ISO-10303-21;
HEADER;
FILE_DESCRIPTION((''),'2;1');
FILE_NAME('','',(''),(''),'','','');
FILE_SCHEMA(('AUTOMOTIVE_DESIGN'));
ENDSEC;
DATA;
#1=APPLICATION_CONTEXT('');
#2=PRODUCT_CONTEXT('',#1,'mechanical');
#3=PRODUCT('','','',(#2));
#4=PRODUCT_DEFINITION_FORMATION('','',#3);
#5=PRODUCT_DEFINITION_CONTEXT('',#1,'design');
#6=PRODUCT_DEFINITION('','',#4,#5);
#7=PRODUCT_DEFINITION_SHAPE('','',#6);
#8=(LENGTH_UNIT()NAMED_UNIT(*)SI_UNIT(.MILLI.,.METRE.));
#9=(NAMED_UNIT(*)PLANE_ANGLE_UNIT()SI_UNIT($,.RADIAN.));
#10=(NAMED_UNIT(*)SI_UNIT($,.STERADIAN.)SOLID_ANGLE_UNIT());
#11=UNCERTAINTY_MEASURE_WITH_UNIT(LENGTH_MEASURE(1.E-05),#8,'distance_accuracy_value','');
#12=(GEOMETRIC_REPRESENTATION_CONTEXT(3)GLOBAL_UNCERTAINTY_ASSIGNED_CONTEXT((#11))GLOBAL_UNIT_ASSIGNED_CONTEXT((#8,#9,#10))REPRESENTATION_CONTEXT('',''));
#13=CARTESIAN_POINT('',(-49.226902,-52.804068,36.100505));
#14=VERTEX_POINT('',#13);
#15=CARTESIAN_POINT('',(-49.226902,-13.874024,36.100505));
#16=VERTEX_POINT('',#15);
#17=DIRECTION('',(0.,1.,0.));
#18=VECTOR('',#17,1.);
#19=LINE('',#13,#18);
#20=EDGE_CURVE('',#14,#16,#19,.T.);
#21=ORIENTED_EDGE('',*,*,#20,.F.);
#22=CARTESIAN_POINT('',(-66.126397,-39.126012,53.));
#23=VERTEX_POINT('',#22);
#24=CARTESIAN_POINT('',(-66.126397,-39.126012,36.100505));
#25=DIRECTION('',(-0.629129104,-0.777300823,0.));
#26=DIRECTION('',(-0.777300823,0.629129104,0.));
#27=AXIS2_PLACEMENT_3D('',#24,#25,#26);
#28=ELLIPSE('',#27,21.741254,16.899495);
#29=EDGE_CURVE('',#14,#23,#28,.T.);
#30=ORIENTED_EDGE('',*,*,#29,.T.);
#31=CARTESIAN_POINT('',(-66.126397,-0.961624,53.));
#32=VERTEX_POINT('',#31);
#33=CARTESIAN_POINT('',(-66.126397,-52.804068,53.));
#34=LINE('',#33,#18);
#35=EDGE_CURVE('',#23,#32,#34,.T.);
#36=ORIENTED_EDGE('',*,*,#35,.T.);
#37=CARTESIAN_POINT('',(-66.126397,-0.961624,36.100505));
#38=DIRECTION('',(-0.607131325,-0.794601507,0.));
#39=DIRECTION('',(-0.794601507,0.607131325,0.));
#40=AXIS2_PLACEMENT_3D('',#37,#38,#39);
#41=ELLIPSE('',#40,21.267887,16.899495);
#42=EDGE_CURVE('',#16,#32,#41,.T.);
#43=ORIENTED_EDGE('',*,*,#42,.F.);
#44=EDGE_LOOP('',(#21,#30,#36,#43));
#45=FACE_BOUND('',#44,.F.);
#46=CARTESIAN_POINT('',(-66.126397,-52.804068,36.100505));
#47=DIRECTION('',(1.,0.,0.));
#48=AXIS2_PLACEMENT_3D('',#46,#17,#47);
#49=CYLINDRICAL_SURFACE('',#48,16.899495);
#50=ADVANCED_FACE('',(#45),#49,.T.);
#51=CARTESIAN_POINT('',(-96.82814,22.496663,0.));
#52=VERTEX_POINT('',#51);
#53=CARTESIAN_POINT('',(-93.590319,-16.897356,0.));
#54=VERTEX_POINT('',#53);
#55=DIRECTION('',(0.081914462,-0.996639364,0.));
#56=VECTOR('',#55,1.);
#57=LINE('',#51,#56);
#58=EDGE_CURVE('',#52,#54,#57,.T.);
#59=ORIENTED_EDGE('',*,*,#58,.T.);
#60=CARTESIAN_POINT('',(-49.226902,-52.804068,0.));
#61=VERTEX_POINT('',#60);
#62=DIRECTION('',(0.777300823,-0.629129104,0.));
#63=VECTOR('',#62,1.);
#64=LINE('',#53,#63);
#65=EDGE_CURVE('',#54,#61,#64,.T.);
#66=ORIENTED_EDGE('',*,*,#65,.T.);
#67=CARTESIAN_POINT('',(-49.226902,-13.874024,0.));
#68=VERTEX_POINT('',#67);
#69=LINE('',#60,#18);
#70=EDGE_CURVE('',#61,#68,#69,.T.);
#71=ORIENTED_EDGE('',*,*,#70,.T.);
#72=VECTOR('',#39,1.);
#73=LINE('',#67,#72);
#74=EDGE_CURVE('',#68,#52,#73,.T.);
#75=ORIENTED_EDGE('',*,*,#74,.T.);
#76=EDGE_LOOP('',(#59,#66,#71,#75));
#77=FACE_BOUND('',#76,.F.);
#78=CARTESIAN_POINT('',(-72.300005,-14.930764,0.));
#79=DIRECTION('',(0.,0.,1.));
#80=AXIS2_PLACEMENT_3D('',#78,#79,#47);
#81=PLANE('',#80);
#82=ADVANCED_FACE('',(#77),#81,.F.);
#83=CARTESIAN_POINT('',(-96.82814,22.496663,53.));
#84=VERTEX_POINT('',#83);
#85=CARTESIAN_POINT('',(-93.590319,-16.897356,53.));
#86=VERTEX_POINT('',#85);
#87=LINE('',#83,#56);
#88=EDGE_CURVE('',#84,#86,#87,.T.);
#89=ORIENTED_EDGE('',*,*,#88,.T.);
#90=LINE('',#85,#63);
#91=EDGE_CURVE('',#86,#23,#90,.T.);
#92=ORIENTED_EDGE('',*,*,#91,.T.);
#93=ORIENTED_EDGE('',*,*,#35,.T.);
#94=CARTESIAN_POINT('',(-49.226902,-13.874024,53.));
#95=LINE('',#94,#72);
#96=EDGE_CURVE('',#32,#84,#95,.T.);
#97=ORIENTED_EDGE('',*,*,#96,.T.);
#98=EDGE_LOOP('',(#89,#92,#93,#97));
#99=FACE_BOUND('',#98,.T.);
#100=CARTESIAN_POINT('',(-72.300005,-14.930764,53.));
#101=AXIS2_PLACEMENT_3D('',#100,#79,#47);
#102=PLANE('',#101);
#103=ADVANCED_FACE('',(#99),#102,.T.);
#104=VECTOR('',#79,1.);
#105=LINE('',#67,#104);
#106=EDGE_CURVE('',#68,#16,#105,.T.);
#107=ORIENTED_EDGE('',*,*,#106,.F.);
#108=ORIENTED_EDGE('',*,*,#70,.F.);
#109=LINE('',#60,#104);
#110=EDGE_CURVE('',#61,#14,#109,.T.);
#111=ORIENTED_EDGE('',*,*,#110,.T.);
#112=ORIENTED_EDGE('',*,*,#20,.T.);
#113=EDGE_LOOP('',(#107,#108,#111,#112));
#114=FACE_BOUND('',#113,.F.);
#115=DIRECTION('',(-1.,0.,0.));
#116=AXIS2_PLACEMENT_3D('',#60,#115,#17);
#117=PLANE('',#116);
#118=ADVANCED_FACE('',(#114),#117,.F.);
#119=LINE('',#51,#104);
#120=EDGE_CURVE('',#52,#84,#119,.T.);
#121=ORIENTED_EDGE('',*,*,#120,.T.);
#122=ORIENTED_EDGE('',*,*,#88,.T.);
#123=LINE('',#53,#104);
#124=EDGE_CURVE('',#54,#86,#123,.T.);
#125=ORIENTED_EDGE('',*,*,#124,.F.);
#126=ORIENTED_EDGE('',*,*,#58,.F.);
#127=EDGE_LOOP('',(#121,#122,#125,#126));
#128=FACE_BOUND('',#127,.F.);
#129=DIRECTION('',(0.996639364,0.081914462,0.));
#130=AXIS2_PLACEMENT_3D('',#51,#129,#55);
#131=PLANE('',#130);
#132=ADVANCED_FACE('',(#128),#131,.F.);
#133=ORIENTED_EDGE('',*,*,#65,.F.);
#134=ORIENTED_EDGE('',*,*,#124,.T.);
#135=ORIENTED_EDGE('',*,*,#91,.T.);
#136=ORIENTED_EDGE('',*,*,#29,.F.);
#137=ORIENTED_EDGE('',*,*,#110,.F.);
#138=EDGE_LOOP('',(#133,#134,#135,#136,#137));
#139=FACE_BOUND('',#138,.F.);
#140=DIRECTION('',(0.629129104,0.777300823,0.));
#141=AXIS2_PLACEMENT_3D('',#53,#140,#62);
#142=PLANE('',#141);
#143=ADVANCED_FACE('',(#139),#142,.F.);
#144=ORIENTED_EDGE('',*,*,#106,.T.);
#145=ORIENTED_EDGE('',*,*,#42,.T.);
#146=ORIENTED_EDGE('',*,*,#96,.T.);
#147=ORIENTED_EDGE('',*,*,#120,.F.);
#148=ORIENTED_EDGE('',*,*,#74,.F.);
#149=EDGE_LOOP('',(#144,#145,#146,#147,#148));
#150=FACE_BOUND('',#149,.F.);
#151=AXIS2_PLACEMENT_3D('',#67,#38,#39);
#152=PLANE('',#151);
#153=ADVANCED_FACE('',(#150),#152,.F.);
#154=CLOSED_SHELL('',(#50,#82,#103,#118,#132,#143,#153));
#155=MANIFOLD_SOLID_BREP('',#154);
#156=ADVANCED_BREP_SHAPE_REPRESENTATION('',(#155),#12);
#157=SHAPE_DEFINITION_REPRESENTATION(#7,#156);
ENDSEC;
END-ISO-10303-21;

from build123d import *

# Parameters (mm, degrees)
F1_DEPTH = 53
F2_R     = 16.899495


with BuildPart() as f1:
    # F0 (on Top) → F1 (new body)
    with BuildSketch(Plane.XY):
        Polygon((-96.82814, 22.496663), (-93.590319, -16.897356), (-49.226902, -52.804068), (-49.226902, -13.874024), align=None)
    extrude(amount=F1_DEPTH)

    # F2
    f2_edges = [f1.edges().sort_by_distance(p)[0] for p in [
        (-49.226902, -33.339046, 53),
    ]]
    fillet(f2_edges, radius=F2_R)


solid = f1.part
